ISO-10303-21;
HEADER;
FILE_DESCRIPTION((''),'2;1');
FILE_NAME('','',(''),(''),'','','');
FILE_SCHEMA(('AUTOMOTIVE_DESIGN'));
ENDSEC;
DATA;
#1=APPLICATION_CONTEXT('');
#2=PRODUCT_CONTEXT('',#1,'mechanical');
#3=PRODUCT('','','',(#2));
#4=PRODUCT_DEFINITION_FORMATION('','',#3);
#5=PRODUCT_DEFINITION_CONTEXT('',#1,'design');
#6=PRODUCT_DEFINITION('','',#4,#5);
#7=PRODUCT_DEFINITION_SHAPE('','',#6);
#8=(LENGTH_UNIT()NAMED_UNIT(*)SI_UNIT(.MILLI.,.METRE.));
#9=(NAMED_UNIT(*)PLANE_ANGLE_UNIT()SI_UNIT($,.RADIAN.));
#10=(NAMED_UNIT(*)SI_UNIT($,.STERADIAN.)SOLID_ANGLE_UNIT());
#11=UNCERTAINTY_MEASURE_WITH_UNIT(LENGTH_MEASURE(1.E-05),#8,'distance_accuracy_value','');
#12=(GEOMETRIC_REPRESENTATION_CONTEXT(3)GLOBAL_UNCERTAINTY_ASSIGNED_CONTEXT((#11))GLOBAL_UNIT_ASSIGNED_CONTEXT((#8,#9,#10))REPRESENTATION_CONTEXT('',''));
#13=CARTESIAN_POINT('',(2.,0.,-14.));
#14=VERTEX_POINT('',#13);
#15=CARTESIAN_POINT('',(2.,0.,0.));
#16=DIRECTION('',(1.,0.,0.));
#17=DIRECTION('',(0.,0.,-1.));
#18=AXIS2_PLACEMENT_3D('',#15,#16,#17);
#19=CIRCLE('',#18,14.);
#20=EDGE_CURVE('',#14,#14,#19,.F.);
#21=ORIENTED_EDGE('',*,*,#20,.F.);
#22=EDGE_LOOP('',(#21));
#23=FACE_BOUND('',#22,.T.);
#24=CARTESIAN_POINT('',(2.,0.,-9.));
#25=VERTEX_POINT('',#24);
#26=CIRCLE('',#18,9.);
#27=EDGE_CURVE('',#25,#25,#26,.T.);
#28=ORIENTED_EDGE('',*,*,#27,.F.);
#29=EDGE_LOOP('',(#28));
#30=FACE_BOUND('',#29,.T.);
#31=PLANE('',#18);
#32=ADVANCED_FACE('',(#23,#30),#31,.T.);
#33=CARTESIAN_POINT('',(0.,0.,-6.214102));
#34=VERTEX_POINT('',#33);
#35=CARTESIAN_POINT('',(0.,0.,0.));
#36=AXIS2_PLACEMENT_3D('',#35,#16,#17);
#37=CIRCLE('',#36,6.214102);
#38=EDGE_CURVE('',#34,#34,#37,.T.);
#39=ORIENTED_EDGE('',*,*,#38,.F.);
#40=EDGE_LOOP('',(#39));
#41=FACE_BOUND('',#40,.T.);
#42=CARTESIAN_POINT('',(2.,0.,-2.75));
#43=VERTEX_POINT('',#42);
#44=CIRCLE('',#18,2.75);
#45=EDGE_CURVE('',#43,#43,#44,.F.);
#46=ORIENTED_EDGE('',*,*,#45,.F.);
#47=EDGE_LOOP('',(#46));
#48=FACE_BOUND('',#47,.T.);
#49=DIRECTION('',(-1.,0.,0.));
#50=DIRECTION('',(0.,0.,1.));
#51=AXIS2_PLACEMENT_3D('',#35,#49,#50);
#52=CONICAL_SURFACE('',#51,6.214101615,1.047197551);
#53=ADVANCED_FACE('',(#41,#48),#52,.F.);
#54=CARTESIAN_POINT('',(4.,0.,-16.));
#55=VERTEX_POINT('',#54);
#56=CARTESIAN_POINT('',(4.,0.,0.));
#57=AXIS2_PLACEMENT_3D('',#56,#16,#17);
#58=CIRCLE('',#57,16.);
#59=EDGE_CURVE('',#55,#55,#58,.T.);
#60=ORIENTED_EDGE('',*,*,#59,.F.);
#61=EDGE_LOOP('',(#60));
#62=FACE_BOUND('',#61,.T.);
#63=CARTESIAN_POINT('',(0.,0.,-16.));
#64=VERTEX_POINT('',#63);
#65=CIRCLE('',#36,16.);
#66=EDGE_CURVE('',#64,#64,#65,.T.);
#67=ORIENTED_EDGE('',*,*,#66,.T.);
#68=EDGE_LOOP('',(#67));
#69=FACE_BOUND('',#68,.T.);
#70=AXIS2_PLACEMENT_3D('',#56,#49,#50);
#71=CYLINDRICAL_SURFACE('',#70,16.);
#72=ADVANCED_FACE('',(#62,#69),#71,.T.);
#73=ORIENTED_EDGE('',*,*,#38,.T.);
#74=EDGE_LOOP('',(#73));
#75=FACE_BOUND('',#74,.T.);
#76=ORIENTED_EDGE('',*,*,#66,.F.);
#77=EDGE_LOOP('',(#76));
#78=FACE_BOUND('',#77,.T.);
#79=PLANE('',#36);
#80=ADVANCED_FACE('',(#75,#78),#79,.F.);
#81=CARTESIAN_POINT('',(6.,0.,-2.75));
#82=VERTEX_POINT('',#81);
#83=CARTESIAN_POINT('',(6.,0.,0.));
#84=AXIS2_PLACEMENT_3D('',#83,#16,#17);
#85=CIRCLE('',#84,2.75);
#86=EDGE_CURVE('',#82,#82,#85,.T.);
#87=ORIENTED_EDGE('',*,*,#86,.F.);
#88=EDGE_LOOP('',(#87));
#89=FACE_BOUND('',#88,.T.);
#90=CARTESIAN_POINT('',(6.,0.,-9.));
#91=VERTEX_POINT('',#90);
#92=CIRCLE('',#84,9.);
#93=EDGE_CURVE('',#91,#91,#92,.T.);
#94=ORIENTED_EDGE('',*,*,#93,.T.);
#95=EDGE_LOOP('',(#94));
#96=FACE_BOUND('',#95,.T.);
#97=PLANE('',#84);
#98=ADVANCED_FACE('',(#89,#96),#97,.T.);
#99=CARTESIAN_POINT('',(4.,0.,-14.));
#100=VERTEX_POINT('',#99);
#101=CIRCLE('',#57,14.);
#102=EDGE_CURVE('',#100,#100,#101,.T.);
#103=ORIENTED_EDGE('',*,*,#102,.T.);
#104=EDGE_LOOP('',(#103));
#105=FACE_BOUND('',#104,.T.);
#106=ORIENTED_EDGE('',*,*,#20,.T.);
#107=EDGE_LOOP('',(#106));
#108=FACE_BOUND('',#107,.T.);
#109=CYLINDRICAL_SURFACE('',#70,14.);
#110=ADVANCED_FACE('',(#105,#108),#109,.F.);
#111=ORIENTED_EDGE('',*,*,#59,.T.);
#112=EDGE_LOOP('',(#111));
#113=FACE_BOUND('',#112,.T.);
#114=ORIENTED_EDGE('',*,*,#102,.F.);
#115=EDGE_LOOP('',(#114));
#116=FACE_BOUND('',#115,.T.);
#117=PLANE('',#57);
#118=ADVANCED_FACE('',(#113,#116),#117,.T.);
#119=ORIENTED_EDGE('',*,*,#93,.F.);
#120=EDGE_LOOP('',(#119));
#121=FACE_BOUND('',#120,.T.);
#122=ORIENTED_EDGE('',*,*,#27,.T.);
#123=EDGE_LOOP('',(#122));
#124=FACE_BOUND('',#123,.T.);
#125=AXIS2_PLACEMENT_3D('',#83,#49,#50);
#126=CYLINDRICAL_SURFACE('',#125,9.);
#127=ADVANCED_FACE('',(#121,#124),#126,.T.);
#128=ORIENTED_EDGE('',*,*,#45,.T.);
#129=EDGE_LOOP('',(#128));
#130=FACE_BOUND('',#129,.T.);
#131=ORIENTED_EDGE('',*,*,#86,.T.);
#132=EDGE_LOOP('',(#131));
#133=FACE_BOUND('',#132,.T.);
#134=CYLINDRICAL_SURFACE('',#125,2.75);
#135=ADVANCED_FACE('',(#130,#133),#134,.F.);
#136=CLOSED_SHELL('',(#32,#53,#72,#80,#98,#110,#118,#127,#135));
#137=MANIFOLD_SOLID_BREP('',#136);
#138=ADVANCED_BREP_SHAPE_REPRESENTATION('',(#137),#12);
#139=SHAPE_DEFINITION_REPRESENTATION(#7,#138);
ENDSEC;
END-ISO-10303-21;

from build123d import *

# Parameters (mm, degrees)
SKETCH_1_R      = 14
SKETCH_1_R_2    = 9
EXTRUDE_1_DEPTH = 2
SKETCH_1_3_R    = 16
SKETCH_1_3_R_2  = 14
EXTRUDE_2_DEPTH = 4
SKETCH_1_4_R    = 9
SKETCH_1_4_R_2  = 2.75
EXTRUDE_3_DEPTH = 6
CHAMFER_1_SIZE  = 2
CHAMFER_1_SIZE2 = 3.464101615


with BuildPart() as part:
    # 草图1 → 凸台-拉伸1 (new body)
    with BuildSketch(Plane(origin=(0, 0, 0), x_dir=(0, 0, -1), z_dir=(1, 0, 0))):
        Circle(SKETCH_1_R)
        Circle(SKETCH_1_R_2, mode=Mode.SUBTRACT)
    extrude(amount=EXTRUDE_1_DEPTH)

    # 草图1<3> → 凸台-拉伸2 (add)
    with BuildSketch(Plane(origin=(0, 0, 0), x_dir=(0, 0, -1), z_dir=(1, 0, 0))):
        Circle(SKETCH_1_3_R)
        Circle(SKETCH_1_3_R_2, mode=Mode.SUBTRACT)
    extrude(amount=EXTRUDE_2_DEPTH)

    # 草图1<4> → 凸台-拉伸3 (add)
    with BuildSketch(Plane(origin=(0, 0, 0), x_dir=(0, 0, -1), z_dir=(1, 0, 0))):
        Circle(SKETCH_1_4_R)
        Circle(SKETCH_1_4_R_2, mode=Mode.SUBTRACT)
    extrude(amount=EXTRUDE_3_DEPTH)

    # 倒角1
    chamfer_1_edges = [part.edges().sort_by_distance(p)[0] for p in [
        (0, 0, 2.75),
    ]]
    chamfer_1_side = [part.faces().sort_by_distance(p)[0] for p in [
        (3, 0, 2.75),
    ]]
    chamfer(chamfer_1_edges, length=CHAMFER_1_SIZE, length2=CHAMFER_1_SIZE2, reference=chamfer_1_side[0])


solid = part.part
